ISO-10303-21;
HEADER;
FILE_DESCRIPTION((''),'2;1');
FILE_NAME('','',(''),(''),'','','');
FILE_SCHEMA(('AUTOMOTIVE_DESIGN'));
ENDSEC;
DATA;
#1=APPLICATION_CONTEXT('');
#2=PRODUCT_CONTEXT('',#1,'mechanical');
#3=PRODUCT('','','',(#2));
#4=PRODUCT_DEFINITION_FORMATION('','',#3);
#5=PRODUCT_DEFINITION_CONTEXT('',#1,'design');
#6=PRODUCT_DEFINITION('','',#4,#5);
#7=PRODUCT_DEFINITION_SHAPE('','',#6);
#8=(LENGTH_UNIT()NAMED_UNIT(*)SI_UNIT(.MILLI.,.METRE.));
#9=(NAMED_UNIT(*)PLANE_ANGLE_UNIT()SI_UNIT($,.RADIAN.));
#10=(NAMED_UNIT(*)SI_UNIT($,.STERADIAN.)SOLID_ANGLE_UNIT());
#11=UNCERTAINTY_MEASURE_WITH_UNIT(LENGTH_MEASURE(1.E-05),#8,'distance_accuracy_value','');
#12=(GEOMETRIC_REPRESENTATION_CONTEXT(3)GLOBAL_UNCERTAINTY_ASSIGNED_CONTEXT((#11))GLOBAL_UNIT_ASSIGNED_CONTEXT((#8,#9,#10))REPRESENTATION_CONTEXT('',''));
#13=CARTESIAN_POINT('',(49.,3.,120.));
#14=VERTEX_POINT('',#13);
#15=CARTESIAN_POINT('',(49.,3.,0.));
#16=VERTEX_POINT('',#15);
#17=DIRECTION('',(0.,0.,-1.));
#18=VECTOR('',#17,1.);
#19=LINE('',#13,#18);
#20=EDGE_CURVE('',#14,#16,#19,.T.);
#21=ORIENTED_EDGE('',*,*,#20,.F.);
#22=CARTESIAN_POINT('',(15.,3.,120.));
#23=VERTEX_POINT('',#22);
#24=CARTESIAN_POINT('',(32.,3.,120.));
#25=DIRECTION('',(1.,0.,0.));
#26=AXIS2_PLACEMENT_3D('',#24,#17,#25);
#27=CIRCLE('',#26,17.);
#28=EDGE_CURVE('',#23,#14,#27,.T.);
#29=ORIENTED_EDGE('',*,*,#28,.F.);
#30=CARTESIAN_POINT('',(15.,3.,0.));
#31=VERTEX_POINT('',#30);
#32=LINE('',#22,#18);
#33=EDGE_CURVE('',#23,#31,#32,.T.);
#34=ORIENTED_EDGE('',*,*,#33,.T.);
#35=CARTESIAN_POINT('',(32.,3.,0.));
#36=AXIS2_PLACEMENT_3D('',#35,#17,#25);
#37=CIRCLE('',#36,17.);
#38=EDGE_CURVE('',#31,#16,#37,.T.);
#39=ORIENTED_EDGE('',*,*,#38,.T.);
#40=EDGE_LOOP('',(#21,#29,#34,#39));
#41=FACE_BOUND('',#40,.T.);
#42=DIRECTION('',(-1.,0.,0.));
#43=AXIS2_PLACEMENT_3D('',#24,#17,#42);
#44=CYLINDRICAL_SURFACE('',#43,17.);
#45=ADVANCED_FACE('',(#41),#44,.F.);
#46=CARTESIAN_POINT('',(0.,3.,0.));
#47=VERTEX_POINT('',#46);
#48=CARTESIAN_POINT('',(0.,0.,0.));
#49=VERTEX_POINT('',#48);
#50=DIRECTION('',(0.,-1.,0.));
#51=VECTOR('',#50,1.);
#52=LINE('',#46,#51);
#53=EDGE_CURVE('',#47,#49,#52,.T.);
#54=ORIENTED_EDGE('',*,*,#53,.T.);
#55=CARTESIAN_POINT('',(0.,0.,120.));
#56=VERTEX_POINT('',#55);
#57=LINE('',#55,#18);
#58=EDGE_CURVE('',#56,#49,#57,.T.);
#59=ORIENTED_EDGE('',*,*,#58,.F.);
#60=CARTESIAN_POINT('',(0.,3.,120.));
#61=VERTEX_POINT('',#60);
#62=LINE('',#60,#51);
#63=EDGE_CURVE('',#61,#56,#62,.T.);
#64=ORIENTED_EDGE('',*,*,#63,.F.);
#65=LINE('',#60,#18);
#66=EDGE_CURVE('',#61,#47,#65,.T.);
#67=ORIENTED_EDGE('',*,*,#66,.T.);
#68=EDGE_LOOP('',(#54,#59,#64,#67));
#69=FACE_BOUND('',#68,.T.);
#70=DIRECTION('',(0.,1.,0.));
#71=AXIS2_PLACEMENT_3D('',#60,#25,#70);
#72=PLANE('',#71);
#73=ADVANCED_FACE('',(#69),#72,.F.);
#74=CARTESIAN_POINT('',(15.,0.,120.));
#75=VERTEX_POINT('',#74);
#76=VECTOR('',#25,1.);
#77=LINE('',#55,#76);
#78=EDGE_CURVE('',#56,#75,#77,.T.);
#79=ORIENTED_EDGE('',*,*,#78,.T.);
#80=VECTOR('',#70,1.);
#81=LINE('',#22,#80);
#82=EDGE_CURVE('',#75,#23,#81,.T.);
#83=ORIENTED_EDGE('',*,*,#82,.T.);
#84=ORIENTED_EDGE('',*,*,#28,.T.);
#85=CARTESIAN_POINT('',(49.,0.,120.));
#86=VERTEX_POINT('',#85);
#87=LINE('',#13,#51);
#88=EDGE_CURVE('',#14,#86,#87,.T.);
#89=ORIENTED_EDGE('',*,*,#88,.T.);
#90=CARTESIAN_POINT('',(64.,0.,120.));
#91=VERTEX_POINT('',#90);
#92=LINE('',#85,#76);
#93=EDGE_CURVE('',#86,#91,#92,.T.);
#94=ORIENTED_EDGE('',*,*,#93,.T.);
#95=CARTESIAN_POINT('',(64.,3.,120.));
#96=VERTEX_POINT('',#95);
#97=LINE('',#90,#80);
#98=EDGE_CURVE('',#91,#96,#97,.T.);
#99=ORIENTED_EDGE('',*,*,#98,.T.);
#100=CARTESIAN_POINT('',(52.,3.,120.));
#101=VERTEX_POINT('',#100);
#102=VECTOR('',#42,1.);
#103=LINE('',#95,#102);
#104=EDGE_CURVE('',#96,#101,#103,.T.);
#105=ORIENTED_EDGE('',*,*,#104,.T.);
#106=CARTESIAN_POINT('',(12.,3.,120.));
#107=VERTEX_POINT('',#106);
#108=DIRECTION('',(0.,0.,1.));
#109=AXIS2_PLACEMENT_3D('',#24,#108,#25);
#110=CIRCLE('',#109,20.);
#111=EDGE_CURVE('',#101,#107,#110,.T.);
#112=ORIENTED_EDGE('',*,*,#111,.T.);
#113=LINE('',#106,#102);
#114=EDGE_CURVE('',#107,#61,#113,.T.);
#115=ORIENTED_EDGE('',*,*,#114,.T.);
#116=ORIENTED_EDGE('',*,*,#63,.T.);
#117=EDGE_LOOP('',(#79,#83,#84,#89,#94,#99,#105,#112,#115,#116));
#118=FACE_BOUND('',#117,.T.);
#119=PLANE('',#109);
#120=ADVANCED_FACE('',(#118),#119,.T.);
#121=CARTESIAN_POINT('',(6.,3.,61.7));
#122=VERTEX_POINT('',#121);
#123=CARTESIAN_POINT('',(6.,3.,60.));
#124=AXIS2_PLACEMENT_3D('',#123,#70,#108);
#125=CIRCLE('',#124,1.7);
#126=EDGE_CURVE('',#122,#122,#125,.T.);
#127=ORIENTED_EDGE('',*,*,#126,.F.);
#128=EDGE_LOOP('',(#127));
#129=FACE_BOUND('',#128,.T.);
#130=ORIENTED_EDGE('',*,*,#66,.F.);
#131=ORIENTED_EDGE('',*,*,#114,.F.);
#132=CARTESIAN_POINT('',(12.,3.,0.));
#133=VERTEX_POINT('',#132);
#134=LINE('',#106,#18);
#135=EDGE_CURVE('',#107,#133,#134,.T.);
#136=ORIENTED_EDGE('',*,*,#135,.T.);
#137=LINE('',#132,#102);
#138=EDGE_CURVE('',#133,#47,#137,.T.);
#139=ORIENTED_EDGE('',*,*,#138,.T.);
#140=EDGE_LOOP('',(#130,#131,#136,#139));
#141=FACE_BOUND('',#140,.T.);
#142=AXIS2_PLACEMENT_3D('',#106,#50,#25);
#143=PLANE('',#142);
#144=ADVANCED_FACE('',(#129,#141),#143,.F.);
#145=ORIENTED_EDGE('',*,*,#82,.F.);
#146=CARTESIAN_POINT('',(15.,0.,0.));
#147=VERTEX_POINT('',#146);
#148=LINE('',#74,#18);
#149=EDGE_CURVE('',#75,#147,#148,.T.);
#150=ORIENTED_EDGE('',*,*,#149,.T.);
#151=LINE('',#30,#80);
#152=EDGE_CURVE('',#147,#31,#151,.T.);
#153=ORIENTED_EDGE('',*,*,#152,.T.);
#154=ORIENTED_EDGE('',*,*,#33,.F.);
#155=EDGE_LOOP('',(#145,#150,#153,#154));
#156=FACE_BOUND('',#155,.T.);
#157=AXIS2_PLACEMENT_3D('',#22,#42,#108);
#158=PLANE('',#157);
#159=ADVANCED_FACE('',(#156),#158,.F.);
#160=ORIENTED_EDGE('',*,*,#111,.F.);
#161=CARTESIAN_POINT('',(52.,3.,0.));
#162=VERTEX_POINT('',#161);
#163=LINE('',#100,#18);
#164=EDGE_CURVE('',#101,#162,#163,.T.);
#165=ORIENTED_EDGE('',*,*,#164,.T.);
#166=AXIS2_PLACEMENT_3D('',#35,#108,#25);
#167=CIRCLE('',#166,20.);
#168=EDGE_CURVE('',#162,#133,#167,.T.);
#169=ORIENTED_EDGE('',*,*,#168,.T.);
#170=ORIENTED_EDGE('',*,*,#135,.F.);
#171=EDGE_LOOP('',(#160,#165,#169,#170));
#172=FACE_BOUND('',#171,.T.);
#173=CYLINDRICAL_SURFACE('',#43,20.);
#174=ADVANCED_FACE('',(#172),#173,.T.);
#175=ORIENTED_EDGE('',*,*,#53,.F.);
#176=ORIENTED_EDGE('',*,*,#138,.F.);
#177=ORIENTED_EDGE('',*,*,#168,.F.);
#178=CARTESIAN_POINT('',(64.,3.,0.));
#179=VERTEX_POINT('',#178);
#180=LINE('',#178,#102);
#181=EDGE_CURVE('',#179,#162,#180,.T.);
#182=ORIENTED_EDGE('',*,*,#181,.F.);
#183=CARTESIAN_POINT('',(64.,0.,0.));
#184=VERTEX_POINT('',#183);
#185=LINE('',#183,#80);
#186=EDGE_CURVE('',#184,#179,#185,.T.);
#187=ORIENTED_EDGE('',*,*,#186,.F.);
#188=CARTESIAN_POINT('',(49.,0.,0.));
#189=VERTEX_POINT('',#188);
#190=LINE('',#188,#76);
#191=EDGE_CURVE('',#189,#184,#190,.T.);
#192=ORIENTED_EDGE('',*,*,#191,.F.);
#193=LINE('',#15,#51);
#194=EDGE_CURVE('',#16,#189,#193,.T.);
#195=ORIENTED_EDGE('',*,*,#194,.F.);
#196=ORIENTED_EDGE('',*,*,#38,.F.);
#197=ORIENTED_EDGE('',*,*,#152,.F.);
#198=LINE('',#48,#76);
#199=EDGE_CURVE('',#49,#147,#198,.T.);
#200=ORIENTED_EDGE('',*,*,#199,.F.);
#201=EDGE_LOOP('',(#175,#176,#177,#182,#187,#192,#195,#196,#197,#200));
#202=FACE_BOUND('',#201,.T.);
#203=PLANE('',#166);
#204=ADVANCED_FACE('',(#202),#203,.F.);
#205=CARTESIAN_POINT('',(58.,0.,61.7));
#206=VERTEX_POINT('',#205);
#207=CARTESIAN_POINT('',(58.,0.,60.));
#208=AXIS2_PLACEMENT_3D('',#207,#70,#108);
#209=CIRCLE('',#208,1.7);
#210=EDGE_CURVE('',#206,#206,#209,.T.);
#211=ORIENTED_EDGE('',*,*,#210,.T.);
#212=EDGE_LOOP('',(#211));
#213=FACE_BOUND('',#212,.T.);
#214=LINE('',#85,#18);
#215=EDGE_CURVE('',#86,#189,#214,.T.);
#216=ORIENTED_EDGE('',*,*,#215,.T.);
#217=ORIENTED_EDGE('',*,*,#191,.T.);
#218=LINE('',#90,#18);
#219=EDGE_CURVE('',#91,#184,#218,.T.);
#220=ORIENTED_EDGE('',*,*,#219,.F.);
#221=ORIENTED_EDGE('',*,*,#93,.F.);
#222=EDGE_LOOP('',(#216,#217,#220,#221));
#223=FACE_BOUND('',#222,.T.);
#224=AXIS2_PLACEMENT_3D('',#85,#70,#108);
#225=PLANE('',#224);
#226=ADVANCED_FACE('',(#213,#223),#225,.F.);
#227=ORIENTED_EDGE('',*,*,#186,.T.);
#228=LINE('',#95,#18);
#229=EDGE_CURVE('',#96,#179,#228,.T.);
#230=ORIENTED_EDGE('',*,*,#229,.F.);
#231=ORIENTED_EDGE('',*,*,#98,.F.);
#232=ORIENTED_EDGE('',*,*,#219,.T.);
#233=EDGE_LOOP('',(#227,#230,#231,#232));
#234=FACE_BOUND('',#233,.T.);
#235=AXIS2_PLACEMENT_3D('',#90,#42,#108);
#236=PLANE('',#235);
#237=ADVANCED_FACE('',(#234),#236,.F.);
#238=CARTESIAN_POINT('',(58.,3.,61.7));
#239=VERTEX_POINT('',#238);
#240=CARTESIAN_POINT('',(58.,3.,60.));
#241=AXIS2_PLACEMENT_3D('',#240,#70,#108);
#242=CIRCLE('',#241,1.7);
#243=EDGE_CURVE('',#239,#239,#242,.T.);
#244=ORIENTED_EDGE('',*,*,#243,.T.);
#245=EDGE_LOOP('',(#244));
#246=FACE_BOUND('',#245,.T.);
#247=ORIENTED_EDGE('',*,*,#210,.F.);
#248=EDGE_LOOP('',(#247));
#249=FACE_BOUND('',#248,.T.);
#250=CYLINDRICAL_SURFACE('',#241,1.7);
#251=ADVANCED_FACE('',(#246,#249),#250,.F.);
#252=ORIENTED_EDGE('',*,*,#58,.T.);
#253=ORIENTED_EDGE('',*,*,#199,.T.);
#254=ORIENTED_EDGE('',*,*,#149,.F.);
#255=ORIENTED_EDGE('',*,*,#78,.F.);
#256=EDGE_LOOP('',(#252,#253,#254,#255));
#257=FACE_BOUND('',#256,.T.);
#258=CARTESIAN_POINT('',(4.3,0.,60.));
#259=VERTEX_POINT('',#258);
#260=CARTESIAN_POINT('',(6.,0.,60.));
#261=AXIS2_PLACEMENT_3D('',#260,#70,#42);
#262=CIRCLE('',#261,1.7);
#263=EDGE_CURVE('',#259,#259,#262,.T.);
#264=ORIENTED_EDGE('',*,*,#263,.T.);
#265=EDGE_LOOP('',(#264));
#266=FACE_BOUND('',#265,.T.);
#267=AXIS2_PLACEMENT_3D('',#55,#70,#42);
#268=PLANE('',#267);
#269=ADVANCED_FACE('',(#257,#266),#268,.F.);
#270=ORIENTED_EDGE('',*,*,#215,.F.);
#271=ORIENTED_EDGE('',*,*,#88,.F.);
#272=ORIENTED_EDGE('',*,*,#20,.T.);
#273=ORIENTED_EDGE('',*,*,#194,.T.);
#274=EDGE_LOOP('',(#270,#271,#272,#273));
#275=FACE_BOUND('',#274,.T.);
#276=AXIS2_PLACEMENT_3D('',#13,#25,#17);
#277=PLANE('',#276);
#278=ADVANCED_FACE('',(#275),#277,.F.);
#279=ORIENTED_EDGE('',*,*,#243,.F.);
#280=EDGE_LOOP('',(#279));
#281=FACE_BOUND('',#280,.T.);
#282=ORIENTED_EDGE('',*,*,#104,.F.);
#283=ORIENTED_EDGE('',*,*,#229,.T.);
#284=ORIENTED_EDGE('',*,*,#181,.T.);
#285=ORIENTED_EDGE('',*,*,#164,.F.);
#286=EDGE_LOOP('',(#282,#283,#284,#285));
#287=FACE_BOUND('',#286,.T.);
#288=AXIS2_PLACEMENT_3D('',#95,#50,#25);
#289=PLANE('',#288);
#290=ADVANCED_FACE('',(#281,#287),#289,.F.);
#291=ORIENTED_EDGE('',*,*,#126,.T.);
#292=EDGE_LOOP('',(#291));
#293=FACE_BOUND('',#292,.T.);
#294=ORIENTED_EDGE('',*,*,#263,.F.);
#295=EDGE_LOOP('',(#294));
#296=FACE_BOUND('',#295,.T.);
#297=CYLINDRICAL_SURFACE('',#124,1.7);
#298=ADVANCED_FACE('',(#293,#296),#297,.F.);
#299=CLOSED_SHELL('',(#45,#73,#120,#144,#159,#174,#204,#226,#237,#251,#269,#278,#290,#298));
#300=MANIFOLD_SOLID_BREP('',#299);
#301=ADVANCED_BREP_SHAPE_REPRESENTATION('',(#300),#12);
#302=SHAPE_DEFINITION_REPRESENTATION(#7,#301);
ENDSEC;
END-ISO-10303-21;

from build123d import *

# Parameters (mm, degrees)
AUFSATZ_LINEAR_AUSTRAGEN1_DEPTH      = 120
F_3_4_3_4_DURCHMESSER_BOHRUNG1_D     = 3.4
F_3_4_3_4_DURCHMESSER_BOHRUNG1_DEPTH = 5
F_3_4_3_4_DURCHMESSER_BOHRUNG1_TIP   = 1.021463052


with BuildPart() as part:
    # Skizze1 → Aufsatz-Linear austragen1 (new body)
    with BuildSketch(Plane.XY):
        with BuildLine():
            Line((0, 0), (15, 0))
            Line((15, 0), (15, 3))
            ThreePointArc((15, 3), (32, 20), (49, 3))
            Line((49, 3), (49, 0))
            Line((49, 0), (64, 0))
            Line((64, 0), (64, 3))
            Line((64, 3), (52, 3))
            ThreePointArc((52, 3), (32, 23), (12, 3))
            Line((12, 3), (0, 3))
            Line((0, 3), (0, 0))
        make_face()
    extrude(amount=AUFSATZ_LINEAR_AUSTRAGEN1_DEPTH)

    # Ø3.4 (3.4) Durchmesser Bohrung1
    with Locations(Plane(origin=(0, 3, 0), x_dir=(1, 0, 0), z_dir=(0, 1, 0))):
        with Locations((58, -60), (6, -60)):
            Hole(F_3_4_3_4_DURCHMESSER_BOHRUNG1_D / 2, depth=F_3_4_3_4_DURCHMESSER_BOHRUNG1_DEPTH)
            with Locations((0, 0, -(F_3_4_3_4_DURCHMESSER_BOHRUNG1_DEPTH + F_3_4_3_4_DURCHMESSER_BOHRUNG1_TIP / 2))):  # 118° drill point
                Cone(0, F_3_4_3_4_DURCHMESSER_BOHRUNG1_D / 2, F_3_4_3_4_DURCHMESSER_BOHRUNG1_TIP, mode=Mode.SUBTRACT)


solid = part.part
